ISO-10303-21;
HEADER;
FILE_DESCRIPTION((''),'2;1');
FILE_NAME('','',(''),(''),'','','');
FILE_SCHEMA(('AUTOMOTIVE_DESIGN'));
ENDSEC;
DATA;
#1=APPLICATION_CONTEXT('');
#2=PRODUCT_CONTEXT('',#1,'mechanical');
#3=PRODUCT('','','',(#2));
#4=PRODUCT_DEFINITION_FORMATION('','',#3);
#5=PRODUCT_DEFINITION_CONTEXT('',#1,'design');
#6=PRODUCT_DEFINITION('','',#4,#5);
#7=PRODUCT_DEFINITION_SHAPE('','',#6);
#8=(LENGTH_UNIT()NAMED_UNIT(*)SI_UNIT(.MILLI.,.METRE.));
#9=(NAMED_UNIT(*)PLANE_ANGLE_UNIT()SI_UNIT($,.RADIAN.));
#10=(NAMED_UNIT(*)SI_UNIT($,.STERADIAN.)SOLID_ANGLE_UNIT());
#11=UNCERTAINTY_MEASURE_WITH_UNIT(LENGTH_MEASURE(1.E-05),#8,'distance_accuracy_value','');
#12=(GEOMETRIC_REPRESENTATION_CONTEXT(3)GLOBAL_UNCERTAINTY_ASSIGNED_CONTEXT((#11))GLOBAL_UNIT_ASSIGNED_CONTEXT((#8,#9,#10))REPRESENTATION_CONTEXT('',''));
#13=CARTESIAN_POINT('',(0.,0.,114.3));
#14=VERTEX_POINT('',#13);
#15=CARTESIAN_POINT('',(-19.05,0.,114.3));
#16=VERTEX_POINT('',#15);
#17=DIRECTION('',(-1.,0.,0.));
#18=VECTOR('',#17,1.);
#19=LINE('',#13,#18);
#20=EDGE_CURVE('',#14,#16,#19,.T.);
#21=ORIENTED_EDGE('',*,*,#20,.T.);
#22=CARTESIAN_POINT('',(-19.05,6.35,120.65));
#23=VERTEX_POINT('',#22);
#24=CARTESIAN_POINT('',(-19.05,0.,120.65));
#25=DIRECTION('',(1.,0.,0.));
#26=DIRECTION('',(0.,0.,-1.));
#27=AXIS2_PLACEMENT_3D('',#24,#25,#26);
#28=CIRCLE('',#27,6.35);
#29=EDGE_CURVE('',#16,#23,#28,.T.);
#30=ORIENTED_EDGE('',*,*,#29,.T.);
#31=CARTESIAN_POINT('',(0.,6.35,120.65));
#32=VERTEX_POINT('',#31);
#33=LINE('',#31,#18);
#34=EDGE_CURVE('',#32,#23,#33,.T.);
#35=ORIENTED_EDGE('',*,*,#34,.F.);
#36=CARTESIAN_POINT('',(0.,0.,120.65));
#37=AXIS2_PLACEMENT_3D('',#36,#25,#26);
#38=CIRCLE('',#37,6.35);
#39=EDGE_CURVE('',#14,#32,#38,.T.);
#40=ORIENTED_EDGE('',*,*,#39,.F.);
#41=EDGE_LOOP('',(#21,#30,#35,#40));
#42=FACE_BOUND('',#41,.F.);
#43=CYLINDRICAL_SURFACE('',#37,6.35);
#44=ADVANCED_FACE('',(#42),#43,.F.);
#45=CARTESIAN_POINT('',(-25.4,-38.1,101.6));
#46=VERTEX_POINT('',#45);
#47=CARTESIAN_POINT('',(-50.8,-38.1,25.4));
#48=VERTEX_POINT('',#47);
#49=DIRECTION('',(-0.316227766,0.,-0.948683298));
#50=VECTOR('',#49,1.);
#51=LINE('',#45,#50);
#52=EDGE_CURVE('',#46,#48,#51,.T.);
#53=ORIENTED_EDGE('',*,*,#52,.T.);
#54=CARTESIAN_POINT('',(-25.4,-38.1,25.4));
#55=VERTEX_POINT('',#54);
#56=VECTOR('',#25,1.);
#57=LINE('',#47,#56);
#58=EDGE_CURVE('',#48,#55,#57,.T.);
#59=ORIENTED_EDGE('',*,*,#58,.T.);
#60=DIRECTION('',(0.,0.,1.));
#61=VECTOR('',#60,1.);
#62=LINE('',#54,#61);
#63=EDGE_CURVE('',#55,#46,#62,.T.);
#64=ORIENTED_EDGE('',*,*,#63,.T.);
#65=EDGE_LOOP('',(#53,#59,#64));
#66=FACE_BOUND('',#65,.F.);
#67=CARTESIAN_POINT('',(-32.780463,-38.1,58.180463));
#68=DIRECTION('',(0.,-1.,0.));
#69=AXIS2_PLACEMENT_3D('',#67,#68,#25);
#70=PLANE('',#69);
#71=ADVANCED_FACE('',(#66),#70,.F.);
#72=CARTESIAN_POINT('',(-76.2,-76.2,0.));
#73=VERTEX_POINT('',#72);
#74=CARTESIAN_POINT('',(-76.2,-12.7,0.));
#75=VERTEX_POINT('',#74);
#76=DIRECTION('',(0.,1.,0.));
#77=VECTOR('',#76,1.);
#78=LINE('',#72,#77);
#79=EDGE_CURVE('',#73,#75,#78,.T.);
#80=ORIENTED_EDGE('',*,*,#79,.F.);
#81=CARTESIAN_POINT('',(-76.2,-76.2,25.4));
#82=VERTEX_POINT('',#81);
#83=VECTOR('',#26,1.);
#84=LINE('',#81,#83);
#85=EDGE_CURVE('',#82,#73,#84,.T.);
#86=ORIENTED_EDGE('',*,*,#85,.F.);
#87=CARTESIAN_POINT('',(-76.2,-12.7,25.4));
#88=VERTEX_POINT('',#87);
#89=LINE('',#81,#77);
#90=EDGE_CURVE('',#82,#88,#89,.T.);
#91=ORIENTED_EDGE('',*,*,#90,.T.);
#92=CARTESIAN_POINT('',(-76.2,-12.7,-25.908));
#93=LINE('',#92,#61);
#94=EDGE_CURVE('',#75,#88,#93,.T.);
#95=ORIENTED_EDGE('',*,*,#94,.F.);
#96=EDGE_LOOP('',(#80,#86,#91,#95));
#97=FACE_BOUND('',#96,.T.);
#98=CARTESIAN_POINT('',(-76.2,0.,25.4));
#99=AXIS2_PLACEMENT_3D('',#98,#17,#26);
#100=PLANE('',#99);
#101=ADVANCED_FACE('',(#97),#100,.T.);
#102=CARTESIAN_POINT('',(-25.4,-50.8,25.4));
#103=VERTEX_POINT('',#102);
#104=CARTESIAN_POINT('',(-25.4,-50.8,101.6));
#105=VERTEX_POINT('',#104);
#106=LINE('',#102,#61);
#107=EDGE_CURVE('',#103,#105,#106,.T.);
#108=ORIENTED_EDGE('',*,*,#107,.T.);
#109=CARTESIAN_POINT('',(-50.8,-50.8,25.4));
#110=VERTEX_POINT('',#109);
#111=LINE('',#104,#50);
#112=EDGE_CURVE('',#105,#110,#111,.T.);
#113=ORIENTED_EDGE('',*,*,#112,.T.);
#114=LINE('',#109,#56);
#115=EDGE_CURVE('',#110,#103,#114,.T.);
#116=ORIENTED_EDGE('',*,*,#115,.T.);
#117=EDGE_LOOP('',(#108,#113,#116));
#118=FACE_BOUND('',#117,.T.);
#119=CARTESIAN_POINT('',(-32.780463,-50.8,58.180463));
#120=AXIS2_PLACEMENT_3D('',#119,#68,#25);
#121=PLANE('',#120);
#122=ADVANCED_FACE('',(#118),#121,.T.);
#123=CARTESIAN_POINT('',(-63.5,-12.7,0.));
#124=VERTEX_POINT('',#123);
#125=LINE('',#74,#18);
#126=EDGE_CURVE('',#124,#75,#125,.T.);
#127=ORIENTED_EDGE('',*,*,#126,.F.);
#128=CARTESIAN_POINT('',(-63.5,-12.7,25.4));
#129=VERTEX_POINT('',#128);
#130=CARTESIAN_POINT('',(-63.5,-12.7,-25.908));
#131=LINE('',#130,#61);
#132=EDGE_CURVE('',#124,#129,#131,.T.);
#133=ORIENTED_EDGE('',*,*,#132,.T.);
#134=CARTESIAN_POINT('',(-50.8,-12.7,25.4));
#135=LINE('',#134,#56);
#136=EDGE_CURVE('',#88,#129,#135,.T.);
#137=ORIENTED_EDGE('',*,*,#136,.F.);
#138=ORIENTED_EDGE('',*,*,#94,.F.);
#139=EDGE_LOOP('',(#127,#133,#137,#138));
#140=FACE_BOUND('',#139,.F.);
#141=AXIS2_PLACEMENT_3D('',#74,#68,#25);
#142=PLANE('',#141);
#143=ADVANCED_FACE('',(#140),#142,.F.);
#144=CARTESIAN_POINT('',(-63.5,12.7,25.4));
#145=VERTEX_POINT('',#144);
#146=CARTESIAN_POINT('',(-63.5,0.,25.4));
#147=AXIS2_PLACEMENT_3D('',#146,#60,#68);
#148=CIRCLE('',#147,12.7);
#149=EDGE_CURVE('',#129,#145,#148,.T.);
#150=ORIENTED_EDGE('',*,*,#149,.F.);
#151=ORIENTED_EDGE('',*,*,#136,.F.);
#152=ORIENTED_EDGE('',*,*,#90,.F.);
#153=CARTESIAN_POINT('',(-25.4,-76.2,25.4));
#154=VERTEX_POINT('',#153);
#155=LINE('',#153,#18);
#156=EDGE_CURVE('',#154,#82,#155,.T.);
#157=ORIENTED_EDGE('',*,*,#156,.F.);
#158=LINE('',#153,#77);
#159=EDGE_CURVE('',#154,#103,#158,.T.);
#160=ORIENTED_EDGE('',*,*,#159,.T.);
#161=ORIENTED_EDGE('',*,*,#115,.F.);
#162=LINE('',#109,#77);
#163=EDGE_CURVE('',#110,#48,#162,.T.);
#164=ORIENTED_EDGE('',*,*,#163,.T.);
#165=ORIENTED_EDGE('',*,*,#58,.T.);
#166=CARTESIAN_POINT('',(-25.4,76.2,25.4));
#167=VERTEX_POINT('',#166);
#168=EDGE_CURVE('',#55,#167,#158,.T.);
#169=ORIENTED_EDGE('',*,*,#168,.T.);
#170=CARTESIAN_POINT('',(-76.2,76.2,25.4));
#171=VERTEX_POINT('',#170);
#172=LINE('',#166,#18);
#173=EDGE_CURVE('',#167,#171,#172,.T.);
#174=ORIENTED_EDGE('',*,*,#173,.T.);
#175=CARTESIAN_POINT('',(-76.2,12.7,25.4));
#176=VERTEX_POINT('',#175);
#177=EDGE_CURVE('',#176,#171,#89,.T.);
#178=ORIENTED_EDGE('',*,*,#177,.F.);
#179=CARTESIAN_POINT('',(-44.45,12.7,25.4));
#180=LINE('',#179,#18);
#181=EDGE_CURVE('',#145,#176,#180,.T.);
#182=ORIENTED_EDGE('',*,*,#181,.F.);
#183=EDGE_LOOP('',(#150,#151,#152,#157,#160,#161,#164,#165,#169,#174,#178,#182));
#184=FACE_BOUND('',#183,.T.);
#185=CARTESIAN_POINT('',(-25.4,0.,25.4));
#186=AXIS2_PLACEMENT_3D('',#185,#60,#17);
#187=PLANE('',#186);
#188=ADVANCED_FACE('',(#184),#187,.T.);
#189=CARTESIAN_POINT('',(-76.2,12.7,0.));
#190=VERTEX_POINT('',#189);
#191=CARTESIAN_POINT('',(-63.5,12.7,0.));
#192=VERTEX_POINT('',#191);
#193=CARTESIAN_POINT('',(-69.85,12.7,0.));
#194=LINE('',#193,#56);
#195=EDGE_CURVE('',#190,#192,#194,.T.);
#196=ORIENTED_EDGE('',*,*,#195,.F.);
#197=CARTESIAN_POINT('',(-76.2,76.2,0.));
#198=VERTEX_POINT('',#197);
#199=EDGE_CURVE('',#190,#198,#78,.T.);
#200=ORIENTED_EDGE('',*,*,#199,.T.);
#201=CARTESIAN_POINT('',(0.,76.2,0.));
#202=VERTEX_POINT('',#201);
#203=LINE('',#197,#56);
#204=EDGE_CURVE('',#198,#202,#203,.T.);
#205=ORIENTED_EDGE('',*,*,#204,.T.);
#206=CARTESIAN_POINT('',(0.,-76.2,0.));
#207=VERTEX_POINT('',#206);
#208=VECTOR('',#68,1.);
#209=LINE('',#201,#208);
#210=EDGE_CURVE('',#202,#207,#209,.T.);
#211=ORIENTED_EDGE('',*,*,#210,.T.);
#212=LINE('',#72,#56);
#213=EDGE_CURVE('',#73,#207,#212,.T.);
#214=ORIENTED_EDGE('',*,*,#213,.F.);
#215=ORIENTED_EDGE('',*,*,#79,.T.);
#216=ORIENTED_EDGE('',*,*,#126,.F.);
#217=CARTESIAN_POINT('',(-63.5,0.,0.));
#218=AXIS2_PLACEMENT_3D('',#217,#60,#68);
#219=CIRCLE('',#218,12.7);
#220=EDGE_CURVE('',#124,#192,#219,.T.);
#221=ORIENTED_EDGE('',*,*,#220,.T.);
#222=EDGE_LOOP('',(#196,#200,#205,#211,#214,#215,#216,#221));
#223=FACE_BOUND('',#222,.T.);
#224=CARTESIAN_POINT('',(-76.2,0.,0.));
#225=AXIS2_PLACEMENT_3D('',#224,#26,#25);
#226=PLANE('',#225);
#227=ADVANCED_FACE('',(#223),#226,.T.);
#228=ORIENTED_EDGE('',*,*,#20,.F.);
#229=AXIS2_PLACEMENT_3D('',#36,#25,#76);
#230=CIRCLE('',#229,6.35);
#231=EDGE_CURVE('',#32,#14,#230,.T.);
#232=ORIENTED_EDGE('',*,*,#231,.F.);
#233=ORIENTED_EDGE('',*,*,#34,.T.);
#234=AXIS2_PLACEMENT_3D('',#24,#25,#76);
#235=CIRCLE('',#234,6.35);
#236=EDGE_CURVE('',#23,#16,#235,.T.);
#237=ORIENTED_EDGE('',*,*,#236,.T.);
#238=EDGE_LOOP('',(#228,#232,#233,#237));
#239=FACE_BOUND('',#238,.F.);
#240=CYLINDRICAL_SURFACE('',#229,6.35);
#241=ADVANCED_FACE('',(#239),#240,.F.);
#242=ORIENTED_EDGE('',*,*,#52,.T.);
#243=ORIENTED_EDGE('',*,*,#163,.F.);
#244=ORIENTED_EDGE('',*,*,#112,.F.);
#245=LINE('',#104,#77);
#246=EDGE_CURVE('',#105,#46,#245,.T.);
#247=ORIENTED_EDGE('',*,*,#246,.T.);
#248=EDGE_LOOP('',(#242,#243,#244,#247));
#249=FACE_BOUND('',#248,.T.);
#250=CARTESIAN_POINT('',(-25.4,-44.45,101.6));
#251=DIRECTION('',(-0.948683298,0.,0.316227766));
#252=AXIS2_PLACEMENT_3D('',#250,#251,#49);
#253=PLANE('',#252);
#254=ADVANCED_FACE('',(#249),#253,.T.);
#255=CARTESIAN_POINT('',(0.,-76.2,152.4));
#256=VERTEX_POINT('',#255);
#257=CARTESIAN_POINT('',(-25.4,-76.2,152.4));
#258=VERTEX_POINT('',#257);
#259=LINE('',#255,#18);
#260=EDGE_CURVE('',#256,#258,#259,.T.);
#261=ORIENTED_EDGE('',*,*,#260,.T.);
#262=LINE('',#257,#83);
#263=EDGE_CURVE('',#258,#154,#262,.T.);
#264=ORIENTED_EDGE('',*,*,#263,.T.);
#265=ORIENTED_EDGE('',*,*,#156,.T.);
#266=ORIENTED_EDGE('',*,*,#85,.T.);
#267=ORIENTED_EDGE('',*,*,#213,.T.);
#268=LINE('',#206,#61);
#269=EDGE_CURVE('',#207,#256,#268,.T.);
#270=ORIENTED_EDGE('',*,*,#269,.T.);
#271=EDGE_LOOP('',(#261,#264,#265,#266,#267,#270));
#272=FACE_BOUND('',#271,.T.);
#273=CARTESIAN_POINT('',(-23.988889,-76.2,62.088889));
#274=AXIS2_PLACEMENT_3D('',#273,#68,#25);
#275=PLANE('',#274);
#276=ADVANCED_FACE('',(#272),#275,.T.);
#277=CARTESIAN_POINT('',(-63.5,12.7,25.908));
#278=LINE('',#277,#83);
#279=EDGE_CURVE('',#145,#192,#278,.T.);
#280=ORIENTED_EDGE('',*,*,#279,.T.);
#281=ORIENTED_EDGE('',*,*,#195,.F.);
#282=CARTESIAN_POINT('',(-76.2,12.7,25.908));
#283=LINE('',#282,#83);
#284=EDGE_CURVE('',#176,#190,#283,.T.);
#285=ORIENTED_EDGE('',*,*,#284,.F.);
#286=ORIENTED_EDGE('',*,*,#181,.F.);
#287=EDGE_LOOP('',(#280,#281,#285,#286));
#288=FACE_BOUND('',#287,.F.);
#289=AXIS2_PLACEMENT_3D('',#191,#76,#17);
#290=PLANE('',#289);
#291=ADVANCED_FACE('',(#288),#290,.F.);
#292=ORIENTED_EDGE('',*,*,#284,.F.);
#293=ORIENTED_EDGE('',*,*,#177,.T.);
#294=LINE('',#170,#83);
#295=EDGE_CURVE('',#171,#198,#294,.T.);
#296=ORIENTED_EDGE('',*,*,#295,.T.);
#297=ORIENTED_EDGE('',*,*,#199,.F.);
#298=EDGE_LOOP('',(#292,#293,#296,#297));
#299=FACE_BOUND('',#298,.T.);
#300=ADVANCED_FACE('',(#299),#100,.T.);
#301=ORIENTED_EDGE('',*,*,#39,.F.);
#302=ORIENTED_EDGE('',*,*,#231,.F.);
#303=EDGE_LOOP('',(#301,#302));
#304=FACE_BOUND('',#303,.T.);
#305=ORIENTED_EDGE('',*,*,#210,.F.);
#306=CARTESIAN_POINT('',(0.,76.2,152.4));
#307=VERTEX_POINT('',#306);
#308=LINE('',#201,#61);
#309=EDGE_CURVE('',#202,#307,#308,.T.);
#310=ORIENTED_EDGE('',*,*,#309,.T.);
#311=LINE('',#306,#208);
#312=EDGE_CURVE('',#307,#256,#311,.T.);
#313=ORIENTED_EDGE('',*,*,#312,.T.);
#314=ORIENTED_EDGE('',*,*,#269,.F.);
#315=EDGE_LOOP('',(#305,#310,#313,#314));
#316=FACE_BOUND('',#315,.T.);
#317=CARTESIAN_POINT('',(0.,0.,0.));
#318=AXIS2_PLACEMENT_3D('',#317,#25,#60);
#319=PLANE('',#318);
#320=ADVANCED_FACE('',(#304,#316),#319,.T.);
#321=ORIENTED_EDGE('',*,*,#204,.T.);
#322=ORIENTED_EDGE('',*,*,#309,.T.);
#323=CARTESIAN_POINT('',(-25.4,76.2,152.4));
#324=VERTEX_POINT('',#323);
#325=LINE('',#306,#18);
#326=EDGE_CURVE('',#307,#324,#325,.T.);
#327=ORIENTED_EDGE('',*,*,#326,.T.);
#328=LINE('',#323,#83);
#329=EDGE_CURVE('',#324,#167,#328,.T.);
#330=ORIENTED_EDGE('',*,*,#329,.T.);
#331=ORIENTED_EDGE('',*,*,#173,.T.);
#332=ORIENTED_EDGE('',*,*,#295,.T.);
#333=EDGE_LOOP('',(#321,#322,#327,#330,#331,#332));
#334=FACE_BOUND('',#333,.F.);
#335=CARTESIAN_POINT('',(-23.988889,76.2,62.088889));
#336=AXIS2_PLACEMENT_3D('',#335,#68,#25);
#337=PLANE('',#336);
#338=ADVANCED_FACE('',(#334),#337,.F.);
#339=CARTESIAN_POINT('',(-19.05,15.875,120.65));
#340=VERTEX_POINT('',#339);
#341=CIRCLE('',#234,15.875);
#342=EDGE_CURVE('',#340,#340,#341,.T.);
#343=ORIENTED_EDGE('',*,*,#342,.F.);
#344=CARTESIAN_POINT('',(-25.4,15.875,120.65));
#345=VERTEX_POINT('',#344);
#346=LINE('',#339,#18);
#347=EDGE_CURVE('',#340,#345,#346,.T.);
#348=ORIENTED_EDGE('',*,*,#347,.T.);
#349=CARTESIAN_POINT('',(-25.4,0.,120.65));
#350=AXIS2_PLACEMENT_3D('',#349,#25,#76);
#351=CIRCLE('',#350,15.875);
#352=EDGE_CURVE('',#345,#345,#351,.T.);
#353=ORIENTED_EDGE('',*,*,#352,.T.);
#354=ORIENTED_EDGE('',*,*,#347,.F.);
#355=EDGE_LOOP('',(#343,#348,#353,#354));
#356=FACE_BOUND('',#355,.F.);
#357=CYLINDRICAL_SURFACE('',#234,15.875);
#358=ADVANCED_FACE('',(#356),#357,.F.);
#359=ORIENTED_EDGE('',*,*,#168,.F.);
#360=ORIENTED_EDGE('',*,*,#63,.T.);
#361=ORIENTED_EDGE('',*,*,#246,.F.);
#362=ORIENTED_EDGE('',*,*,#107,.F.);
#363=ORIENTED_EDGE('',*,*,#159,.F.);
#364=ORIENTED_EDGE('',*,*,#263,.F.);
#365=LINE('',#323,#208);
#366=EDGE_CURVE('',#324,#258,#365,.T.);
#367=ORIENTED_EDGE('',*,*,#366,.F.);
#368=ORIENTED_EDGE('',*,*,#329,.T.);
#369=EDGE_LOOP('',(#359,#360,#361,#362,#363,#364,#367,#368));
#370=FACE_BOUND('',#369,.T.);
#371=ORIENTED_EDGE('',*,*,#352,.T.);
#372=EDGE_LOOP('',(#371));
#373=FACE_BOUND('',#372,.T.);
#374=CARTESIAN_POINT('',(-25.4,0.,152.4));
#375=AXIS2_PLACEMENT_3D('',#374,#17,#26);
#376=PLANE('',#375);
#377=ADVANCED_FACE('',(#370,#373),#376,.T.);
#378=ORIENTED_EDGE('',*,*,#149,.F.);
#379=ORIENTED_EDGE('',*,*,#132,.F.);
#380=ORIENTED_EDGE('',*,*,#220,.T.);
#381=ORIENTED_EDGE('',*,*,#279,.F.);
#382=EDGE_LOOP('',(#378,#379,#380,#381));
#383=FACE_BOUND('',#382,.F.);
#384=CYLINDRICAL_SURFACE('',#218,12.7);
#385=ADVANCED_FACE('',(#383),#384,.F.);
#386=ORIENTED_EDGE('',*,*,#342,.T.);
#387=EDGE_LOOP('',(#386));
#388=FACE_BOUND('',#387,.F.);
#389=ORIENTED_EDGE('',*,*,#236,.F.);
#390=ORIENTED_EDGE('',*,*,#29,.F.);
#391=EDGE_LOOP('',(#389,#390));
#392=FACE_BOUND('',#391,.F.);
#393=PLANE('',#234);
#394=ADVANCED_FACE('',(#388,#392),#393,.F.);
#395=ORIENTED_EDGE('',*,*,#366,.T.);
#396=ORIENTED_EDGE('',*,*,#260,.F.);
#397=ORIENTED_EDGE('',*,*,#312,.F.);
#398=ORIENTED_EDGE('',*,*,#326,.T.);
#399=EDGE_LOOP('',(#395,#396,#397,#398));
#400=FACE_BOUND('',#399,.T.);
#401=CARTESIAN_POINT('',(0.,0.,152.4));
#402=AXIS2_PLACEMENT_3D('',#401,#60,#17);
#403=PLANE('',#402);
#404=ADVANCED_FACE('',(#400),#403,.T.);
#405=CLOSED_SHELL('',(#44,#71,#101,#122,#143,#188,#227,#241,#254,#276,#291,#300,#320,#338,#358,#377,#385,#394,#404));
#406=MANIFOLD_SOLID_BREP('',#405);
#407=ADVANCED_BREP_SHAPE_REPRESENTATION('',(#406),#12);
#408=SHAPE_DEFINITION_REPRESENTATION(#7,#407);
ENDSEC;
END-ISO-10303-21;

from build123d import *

# Parameters (mm, degrees)
F1_DEPTH      = 76.2
F3_DEPTH      = 25.4
F3_DEPTH_BACK = 25.4
F5_START      = -19.05
F4_R          = 15.875
F5_DEPTH      = 15.494
F7_DEPTH      = 25.908
F10_DEPTH     = 6.35


with BuildPart() as f1:
    # F0 (on Front) → F1 (new body, symmetric)
    with BuildSketch(Plane.XZ):
        Polygon((-76.2, 0), (0, 0), (0, 152.4), (-25.4, 152.4), (-25.4, 25.4), (-76.2, 25.4), align=None)
    extrude(amount=F1_DEPTH, both=True)

    # F2 (on Right) → F3 (cut, two sides)
    with BuildSketch(Plane.YZ) as f3_sk:
        with BuildLine():
            ThreePointArc((0, 114.3), (4.4901280605, 116.1598719395), (6.35, 120.65))
            ThreePointArc((6.35, 120.65), (-4.4901280605, 125.1401280605), (0, 114.3))
        make_face()
    extrude(amount=-F3_DEPTH, mode=Mode.SUBTRACT)
    extrude(f3_sk.sketch, amount=F3_DEPTH_BACK, mode=Mode.SUBTRACT)

    # F4 (on Right) → F5 (cut)
    with BuildSketch(Plane.YZ.offset(F5_START)):
        with Locations((0, 120.65)):
            Circle(F4_R)
    extrude(amount=-F5_DEPTH, mode=Mode.SUBTRACT)

    # F6 (on Top) → F7 (cut, symmetric)
    with BuildSketch(Plane.XY):
        with BuildLine():
            Line((-76.2, 12.7), (-76.2, 0))
            Line((-76.2, 0), (-76.2, -12.7))
            Line((-76.2, -12.7), (-63.5, -12.7))
            ThreePointArc((-63.5, -12.7), (-50.8, 0), (-63.5, 12.7))
            Line((-63.5, 12.7), (-76.2, 12.7))
        make_face()
    extrude(amount=F7_DEPTH, both=True, mode=Mode.SUBTRACT)

    # F9 (on offset) → F10 (join, symmetric)
    with BuildSketch(Plane.XZ.offset(44.45)):
        Polygon((-50.8, 25.4), (-25.4, 25.4), (-25.4, 101.6), align=None)
    extrude(amount=F10_DEPTH, both=True)


solid = f1.part
